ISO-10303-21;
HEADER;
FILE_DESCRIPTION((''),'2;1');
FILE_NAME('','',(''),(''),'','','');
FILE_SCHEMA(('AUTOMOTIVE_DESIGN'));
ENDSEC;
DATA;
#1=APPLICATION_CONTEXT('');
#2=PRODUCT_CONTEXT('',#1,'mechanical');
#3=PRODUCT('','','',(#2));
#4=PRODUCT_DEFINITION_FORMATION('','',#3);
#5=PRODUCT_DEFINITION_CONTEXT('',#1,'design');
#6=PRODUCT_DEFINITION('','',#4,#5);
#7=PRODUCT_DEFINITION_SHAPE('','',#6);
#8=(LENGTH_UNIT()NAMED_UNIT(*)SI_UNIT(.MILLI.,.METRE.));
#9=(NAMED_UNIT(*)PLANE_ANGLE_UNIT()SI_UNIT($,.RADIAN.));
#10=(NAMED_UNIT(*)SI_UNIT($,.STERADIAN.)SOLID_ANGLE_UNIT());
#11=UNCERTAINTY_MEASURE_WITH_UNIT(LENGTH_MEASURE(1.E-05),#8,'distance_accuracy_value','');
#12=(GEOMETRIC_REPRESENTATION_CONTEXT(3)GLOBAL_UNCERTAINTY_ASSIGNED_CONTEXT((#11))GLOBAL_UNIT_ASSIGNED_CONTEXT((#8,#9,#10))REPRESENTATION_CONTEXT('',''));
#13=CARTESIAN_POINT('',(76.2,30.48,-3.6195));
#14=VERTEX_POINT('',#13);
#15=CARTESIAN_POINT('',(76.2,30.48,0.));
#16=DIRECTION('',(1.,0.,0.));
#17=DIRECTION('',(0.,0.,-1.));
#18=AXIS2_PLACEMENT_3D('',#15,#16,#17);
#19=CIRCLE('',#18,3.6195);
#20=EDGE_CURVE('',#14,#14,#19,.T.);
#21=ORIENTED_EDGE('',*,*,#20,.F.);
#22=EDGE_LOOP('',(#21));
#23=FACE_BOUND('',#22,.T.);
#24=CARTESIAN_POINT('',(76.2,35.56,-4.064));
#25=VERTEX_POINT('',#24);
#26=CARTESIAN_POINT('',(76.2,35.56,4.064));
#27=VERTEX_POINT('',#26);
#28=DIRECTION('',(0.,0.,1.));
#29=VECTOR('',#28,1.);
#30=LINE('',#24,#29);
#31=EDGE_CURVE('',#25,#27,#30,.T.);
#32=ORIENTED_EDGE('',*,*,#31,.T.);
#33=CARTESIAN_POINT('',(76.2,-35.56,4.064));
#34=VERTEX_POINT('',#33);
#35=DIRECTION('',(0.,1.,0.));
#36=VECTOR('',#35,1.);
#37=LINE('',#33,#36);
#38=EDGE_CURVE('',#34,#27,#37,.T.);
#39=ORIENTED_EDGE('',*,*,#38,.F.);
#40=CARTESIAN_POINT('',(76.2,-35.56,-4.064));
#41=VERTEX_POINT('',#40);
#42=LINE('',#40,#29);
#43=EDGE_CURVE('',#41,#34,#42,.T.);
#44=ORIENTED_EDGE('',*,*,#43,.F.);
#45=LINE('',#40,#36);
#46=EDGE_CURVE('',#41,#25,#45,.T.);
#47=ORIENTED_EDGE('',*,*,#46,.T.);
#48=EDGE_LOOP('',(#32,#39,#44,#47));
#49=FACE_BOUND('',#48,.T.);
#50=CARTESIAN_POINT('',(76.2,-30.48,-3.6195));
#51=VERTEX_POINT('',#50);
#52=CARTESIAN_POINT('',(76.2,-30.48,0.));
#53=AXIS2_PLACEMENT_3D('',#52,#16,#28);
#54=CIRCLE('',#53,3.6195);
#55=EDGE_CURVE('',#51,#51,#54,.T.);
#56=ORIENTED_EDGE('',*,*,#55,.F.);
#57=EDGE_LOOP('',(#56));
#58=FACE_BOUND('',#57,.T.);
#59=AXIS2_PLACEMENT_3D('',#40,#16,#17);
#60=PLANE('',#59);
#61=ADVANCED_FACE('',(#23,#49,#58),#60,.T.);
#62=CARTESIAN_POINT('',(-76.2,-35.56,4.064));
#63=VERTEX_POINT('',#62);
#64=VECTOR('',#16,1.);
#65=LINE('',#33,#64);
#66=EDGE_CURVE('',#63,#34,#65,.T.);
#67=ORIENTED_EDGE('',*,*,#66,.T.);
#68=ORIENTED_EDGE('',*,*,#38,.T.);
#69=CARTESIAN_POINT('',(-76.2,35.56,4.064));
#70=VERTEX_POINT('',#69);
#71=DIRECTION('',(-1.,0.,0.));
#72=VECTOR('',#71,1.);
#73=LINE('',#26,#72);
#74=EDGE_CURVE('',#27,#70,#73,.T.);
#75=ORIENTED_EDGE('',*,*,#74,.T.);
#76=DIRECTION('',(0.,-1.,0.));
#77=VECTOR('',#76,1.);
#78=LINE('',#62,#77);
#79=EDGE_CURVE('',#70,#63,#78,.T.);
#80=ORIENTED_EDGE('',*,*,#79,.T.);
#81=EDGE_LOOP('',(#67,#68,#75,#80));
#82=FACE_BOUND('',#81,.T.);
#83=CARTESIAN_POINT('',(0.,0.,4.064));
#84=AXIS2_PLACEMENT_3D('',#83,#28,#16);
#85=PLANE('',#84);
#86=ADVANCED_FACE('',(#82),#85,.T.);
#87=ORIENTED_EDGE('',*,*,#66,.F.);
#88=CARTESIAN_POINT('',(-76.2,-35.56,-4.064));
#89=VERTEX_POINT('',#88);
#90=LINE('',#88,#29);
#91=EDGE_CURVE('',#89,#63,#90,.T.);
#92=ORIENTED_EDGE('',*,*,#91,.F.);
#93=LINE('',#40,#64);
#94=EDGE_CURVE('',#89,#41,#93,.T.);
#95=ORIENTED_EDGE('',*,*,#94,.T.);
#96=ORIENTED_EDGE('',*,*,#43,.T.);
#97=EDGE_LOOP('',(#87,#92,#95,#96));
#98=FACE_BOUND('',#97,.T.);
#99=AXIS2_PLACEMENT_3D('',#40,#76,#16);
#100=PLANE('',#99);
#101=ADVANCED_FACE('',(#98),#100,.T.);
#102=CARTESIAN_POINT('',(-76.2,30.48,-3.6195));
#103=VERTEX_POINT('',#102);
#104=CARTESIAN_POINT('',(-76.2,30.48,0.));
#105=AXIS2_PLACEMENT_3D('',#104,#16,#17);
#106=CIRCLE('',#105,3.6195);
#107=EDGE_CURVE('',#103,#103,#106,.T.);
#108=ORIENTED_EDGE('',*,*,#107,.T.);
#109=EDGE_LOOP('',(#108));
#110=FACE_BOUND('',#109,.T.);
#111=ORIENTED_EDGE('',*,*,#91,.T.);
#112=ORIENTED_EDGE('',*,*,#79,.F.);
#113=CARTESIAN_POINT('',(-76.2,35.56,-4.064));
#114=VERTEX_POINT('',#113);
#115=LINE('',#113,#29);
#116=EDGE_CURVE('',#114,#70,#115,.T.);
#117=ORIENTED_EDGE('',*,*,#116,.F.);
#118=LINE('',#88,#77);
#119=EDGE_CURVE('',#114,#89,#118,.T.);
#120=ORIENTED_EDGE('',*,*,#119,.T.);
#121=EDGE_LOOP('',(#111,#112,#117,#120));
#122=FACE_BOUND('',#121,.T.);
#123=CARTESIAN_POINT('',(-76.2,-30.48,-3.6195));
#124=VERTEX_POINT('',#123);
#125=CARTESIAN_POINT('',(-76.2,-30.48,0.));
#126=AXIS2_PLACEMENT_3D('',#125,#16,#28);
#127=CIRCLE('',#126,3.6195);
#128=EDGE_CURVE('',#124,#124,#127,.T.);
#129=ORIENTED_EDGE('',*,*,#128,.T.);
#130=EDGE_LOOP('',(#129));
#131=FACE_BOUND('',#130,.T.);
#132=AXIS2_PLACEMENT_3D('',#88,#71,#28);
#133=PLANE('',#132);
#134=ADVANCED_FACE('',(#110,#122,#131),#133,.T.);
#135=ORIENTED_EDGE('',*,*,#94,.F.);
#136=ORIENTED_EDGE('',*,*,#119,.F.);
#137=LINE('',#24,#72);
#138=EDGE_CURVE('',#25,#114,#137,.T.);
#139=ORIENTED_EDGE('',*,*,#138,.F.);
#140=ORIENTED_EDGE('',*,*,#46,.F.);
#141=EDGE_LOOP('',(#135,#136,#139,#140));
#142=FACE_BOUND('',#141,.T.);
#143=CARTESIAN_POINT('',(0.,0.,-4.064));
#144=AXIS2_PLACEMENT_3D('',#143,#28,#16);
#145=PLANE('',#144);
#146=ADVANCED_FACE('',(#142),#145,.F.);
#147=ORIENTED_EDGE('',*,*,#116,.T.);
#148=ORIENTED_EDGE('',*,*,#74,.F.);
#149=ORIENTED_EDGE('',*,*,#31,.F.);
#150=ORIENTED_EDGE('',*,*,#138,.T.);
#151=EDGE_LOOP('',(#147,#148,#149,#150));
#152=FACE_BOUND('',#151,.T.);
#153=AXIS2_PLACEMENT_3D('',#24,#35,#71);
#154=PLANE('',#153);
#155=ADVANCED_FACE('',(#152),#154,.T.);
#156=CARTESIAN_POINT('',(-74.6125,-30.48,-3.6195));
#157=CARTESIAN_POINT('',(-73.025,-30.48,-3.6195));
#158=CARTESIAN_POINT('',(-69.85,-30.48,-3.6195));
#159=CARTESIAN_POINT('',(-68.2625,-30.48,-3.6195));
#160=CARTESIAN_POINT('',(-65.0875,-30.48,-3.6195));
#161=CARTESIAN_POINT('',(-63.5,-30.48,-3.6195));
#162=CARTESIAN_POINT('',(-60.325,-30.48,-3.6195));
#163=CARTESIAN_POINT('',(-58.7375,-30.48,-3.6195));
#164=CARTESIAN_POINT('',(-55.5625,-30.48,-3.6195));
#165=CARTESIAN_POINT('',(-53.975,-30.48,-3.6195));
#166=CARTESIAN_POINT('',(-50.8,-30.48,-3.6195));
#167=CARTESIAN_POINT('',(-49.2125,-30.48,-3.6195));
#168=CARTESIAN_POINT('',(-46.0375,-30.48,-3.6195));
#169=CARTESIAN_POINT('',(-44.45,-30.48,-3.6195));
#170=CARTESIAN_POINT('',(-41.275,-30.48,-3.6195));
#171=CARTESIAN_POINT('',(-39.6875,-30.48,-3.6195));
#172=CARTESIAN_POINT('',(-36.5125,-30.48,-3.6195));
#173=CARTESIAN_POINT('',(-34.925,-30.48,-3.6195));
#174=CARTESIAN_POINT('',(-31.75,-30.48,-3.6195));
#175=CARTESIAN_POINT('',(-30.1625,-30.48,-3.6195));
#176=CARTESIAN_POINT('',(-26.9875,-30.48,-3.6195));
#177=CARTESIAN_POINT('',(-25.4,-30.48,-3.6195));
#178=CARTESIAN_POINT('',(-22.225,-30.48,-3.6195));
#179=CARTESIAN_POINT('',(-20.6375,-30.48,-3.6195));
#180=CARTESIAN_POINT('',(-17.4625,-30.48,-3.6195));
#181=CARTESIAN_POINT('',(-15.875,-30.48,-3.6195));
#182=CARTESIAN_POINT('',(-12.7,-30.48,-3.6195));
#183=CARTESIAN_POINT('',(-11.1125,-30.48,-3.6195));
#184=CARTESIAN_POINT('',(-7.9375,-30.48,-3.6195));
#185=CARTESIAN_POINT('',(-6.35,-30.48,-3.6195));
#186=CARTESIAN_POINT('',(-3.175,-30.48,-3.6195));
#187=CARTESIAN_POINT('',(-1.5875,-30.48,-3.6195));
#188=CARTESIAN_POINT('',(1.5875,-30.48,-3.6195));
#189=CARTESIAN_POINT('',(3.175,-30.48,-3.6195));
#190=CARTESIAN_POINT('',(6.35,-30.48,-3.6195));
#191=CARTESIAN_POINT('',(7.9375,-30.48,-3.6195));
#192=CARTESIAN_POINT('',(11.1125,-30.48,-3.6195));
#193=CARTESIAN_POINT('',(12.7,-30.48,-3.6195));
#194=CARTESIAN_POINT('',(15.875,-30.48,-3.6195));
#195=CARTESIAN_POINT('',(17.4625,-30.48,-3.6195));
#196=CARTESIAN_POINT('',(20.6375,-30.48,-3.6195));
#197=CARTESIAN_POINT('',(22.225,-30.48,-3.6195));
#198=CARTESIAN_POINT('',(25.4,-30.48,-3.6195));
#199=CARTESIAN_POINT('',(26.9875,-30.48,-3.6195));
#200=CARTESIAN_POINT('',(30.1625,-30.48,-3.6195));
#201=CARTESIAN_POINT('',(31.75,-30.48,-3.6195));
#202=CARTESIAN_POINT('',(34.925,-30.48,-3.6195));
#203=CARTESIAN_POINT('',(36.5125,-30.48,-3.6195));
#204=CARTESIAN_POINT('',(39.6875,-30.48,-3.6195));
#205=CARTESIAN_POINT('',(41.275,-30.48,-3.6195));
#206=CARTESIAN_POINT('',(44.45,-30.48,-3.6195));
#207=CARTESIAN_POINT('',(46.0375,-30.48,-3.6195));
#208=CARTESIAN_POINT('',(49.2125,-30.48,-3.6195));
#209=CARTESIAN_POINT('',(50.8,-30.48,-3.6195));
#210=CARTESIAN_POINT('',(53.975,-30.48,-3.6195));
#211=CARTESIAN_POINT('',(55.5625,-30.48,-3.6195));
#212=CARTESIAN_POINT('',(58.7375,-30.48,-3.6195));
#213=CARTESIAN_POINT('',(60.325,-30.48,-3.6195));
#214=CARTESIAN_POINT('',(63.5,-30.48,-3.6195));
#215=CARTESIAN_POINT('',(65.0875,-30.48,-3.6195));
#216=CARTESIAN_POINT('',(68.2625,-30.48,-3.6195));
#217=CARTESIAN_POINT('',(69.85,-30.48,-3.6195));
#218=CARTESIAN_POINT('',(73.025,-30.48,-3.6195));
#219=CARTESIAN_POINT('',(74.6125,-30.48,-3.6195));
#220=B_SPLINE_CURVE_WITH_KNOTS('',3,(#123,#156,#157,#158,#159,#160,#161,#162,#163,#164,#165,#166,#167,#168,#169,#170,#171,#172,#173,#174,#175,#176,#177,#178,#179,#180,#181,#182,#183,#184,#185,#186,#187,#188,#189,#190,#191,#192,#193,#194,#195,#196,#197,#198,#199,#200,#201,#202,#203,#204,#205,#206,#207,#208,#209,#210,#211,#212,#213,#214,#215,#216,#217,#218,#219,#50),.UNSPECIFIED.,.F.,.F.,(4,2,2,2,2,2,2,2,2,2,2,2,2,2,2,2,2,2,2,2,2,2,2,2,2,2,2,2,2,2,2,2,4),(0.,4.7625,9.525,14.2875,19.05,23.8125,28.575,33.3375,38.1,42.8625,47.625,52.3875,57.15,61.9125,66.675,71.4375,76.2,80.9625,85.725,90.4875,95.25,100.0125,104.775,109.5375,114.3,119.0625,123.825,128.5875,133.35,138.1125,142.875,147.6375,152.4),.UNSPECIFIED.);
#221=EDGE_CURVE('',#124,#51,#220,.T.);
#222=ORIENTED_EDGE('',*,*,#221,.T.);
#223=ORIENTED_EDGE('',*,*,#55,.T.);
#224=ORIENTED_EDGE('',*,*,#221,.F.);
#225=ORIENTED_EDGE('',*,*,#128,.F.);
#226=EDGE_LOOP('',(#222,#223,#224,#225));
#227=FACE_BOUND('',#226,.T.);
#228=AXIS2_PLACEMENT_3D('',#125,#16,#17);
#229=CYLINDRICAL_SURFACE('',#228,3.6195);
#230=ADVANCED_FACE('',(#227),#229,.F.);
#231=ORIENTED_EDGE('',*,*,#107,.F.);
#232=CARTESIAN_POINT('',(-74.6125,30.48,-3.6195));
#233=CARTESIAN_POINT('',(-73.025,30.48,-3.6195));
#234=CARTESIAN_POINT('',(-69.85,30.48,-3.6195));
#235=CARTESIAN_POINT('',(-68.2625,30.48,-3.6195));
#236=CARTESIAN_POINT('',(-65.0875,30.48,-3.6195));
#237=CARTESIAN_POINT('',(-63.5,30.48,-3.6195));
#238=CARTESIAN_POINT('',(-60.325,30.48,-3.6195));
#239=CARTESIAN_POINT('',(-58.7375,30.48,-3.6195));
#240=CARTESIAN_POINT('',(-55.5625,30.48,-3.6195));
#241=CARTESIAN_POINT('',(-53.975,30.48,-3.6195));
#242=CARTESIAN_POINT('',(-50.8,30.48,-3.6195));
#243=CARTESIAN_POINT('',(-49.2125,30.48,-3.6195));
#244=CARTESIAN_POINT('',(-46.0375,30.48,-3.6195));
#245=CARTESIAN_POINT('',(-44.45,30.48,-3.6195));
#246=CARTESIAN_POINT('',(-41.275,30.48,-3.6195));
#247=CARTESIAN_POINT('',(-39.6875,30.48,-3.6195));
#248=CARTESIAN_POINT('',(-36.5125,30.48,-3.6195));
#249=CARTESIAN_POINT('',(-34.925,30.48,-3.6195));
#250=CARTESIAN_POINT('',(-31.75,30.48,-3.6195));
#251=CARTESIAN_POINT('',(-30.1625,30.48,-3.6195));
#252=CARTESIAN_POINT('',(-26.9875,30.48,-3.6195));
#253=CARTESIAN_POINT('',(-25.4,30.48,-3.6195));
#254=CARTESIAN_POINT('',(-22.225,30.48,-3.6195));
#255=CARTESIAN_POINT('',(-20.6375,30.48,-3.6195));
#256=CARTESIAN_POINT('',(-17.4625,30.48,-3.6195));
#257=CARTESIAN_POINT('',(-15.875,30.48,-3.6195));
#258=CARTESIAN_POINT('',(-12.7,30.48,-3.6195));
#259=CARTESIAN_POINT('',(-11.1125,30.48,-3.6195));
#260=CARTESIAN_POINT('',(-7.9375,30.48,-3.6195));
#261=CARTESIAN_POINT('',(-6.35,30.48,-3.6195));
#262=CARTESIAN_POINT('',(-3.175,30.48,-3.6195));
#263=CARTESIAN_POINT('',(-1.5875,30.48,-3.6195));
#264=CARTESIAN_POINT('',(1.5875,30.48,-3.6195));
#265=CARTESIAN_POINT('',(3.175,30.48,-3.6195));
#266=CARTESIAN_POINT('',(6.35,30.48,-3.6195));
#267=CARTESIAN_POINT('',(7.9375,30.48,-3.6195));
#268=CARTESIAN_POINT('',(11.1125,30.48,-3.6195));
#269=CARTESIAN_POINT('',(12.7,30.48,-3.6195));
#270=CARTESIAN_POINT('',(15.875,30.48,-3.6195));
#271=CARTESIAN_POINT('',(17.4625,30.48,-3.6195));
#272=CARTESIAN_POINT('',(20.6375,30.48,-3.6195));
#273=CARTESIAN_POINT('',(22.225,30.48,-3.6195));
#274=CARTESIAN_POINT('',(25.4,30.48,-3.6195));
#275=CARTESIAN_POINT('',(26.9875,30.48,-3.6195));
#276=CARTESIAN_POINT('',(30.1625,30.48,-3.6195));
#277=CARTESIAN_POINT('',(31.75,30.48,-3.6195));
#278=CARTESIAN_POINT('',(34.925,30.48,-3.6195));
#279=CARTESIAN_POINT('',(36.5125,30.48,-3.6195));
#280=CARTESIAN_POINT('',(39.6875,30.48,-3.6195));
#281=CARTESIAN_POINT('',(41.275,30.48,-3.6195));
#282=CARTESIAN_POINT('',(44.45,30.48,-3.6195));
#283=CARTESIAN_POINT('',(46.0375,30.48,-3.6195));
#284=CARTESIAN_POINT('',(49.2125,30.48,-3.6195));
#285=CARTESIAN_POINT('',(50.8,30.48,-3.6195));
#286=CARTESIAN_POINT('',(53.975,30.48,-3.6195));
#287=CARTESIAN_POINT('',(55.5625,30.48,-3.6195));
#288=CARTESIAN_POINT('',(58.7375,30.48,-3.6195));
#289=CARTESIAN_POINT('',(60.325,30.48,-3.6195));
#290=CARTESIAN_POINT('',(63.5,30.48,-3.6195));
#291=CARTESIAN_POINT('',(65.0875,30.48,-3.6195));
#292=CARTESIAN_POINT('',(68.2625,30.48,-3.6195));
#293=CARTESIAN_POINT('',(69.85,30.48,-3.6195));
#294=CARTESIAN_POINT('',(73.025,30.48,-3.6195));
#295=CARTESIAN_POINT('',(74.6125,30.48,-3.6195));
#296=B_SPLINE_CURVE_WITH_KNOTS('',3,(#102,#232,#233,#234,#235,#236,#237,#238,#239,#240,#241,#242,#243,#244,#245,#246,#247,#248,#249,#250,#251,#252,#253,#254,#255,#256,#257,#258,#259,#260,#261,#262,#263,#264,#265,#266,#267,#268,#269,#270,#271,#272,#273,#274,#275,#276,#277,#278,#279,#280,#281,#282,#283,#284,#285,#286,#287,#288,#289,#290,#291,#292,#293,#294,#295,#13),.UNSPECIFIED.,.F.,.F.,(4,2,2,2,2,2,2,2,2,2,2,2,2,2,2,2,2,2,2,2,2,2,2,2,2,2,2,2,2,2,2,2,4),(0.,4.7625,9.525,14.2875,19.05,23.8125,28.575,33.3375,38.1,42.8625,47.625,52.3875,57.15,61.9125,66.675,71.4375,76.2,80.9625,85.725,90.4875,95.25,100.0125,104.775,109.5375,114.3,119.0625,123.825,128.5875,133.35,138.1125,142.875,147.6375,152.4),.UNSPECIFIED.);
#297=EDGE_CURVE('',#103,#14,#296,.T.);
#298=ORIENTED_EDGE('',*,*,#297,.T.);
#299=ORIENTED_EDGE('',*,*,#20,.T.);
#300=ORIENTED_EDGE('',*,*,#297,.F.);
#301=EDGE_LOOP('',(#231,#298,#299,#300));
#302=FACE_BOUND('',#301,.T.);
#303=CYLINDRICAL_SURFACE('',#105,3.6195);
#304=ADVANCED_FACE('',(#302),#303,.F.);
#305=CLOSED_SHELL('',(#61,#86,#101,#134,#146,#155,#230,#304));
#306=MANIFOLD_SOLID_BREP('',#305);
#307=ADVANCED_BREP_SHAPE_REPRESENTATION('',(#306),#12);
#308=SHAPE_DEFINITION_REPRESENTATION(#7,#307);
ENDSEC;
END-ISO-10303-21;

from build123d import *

# Parameters (mm, degrees)
BOSS_EXTRUDE1_DEPTH      = 4.064
BOSS_EXTRUDE1_DEPTH_BACK = 4.064
BOARD_W                  = 152.4
BOARD_H                  = 71.12
SKETCH2_R                = 3.6195
CUT_EXTRUDE1_DEPTH       = 157.546445811


with BuildPart() as part:
    # board → Boss-Extrude1 (new, two sides: drawn at the far end of the back side and taken through both)
    with BuildSketch(Plane.XY.offset(-BOSS_EXTRUDE1_DEPTH_BACK)):
        Rectangle(BOARD_W, BOARD_H)
    extrude(amount=BOSS_EXTRUDE1_DEPTH + BOSS_EXTRUDE1_DEPTH_BACK)

    # Sketch2 → Cut-Extrude1 (cut, through all)
    with BuildSketch(Plane(origin=(76.2, 0, 0), x_dir=(0, 0, -1), z_dir=(1, 0, 0))):
        with Locations((0, 30.48)):
            Circle(SKETCH2_R)
        with Locations((0, -30.48)):
            Circle(SKETCH2_R)
    extrude(amount=-CUT_EXTRUDE1_DEPTH, mode=Mode.SUBTRACT)


solid = part.part
